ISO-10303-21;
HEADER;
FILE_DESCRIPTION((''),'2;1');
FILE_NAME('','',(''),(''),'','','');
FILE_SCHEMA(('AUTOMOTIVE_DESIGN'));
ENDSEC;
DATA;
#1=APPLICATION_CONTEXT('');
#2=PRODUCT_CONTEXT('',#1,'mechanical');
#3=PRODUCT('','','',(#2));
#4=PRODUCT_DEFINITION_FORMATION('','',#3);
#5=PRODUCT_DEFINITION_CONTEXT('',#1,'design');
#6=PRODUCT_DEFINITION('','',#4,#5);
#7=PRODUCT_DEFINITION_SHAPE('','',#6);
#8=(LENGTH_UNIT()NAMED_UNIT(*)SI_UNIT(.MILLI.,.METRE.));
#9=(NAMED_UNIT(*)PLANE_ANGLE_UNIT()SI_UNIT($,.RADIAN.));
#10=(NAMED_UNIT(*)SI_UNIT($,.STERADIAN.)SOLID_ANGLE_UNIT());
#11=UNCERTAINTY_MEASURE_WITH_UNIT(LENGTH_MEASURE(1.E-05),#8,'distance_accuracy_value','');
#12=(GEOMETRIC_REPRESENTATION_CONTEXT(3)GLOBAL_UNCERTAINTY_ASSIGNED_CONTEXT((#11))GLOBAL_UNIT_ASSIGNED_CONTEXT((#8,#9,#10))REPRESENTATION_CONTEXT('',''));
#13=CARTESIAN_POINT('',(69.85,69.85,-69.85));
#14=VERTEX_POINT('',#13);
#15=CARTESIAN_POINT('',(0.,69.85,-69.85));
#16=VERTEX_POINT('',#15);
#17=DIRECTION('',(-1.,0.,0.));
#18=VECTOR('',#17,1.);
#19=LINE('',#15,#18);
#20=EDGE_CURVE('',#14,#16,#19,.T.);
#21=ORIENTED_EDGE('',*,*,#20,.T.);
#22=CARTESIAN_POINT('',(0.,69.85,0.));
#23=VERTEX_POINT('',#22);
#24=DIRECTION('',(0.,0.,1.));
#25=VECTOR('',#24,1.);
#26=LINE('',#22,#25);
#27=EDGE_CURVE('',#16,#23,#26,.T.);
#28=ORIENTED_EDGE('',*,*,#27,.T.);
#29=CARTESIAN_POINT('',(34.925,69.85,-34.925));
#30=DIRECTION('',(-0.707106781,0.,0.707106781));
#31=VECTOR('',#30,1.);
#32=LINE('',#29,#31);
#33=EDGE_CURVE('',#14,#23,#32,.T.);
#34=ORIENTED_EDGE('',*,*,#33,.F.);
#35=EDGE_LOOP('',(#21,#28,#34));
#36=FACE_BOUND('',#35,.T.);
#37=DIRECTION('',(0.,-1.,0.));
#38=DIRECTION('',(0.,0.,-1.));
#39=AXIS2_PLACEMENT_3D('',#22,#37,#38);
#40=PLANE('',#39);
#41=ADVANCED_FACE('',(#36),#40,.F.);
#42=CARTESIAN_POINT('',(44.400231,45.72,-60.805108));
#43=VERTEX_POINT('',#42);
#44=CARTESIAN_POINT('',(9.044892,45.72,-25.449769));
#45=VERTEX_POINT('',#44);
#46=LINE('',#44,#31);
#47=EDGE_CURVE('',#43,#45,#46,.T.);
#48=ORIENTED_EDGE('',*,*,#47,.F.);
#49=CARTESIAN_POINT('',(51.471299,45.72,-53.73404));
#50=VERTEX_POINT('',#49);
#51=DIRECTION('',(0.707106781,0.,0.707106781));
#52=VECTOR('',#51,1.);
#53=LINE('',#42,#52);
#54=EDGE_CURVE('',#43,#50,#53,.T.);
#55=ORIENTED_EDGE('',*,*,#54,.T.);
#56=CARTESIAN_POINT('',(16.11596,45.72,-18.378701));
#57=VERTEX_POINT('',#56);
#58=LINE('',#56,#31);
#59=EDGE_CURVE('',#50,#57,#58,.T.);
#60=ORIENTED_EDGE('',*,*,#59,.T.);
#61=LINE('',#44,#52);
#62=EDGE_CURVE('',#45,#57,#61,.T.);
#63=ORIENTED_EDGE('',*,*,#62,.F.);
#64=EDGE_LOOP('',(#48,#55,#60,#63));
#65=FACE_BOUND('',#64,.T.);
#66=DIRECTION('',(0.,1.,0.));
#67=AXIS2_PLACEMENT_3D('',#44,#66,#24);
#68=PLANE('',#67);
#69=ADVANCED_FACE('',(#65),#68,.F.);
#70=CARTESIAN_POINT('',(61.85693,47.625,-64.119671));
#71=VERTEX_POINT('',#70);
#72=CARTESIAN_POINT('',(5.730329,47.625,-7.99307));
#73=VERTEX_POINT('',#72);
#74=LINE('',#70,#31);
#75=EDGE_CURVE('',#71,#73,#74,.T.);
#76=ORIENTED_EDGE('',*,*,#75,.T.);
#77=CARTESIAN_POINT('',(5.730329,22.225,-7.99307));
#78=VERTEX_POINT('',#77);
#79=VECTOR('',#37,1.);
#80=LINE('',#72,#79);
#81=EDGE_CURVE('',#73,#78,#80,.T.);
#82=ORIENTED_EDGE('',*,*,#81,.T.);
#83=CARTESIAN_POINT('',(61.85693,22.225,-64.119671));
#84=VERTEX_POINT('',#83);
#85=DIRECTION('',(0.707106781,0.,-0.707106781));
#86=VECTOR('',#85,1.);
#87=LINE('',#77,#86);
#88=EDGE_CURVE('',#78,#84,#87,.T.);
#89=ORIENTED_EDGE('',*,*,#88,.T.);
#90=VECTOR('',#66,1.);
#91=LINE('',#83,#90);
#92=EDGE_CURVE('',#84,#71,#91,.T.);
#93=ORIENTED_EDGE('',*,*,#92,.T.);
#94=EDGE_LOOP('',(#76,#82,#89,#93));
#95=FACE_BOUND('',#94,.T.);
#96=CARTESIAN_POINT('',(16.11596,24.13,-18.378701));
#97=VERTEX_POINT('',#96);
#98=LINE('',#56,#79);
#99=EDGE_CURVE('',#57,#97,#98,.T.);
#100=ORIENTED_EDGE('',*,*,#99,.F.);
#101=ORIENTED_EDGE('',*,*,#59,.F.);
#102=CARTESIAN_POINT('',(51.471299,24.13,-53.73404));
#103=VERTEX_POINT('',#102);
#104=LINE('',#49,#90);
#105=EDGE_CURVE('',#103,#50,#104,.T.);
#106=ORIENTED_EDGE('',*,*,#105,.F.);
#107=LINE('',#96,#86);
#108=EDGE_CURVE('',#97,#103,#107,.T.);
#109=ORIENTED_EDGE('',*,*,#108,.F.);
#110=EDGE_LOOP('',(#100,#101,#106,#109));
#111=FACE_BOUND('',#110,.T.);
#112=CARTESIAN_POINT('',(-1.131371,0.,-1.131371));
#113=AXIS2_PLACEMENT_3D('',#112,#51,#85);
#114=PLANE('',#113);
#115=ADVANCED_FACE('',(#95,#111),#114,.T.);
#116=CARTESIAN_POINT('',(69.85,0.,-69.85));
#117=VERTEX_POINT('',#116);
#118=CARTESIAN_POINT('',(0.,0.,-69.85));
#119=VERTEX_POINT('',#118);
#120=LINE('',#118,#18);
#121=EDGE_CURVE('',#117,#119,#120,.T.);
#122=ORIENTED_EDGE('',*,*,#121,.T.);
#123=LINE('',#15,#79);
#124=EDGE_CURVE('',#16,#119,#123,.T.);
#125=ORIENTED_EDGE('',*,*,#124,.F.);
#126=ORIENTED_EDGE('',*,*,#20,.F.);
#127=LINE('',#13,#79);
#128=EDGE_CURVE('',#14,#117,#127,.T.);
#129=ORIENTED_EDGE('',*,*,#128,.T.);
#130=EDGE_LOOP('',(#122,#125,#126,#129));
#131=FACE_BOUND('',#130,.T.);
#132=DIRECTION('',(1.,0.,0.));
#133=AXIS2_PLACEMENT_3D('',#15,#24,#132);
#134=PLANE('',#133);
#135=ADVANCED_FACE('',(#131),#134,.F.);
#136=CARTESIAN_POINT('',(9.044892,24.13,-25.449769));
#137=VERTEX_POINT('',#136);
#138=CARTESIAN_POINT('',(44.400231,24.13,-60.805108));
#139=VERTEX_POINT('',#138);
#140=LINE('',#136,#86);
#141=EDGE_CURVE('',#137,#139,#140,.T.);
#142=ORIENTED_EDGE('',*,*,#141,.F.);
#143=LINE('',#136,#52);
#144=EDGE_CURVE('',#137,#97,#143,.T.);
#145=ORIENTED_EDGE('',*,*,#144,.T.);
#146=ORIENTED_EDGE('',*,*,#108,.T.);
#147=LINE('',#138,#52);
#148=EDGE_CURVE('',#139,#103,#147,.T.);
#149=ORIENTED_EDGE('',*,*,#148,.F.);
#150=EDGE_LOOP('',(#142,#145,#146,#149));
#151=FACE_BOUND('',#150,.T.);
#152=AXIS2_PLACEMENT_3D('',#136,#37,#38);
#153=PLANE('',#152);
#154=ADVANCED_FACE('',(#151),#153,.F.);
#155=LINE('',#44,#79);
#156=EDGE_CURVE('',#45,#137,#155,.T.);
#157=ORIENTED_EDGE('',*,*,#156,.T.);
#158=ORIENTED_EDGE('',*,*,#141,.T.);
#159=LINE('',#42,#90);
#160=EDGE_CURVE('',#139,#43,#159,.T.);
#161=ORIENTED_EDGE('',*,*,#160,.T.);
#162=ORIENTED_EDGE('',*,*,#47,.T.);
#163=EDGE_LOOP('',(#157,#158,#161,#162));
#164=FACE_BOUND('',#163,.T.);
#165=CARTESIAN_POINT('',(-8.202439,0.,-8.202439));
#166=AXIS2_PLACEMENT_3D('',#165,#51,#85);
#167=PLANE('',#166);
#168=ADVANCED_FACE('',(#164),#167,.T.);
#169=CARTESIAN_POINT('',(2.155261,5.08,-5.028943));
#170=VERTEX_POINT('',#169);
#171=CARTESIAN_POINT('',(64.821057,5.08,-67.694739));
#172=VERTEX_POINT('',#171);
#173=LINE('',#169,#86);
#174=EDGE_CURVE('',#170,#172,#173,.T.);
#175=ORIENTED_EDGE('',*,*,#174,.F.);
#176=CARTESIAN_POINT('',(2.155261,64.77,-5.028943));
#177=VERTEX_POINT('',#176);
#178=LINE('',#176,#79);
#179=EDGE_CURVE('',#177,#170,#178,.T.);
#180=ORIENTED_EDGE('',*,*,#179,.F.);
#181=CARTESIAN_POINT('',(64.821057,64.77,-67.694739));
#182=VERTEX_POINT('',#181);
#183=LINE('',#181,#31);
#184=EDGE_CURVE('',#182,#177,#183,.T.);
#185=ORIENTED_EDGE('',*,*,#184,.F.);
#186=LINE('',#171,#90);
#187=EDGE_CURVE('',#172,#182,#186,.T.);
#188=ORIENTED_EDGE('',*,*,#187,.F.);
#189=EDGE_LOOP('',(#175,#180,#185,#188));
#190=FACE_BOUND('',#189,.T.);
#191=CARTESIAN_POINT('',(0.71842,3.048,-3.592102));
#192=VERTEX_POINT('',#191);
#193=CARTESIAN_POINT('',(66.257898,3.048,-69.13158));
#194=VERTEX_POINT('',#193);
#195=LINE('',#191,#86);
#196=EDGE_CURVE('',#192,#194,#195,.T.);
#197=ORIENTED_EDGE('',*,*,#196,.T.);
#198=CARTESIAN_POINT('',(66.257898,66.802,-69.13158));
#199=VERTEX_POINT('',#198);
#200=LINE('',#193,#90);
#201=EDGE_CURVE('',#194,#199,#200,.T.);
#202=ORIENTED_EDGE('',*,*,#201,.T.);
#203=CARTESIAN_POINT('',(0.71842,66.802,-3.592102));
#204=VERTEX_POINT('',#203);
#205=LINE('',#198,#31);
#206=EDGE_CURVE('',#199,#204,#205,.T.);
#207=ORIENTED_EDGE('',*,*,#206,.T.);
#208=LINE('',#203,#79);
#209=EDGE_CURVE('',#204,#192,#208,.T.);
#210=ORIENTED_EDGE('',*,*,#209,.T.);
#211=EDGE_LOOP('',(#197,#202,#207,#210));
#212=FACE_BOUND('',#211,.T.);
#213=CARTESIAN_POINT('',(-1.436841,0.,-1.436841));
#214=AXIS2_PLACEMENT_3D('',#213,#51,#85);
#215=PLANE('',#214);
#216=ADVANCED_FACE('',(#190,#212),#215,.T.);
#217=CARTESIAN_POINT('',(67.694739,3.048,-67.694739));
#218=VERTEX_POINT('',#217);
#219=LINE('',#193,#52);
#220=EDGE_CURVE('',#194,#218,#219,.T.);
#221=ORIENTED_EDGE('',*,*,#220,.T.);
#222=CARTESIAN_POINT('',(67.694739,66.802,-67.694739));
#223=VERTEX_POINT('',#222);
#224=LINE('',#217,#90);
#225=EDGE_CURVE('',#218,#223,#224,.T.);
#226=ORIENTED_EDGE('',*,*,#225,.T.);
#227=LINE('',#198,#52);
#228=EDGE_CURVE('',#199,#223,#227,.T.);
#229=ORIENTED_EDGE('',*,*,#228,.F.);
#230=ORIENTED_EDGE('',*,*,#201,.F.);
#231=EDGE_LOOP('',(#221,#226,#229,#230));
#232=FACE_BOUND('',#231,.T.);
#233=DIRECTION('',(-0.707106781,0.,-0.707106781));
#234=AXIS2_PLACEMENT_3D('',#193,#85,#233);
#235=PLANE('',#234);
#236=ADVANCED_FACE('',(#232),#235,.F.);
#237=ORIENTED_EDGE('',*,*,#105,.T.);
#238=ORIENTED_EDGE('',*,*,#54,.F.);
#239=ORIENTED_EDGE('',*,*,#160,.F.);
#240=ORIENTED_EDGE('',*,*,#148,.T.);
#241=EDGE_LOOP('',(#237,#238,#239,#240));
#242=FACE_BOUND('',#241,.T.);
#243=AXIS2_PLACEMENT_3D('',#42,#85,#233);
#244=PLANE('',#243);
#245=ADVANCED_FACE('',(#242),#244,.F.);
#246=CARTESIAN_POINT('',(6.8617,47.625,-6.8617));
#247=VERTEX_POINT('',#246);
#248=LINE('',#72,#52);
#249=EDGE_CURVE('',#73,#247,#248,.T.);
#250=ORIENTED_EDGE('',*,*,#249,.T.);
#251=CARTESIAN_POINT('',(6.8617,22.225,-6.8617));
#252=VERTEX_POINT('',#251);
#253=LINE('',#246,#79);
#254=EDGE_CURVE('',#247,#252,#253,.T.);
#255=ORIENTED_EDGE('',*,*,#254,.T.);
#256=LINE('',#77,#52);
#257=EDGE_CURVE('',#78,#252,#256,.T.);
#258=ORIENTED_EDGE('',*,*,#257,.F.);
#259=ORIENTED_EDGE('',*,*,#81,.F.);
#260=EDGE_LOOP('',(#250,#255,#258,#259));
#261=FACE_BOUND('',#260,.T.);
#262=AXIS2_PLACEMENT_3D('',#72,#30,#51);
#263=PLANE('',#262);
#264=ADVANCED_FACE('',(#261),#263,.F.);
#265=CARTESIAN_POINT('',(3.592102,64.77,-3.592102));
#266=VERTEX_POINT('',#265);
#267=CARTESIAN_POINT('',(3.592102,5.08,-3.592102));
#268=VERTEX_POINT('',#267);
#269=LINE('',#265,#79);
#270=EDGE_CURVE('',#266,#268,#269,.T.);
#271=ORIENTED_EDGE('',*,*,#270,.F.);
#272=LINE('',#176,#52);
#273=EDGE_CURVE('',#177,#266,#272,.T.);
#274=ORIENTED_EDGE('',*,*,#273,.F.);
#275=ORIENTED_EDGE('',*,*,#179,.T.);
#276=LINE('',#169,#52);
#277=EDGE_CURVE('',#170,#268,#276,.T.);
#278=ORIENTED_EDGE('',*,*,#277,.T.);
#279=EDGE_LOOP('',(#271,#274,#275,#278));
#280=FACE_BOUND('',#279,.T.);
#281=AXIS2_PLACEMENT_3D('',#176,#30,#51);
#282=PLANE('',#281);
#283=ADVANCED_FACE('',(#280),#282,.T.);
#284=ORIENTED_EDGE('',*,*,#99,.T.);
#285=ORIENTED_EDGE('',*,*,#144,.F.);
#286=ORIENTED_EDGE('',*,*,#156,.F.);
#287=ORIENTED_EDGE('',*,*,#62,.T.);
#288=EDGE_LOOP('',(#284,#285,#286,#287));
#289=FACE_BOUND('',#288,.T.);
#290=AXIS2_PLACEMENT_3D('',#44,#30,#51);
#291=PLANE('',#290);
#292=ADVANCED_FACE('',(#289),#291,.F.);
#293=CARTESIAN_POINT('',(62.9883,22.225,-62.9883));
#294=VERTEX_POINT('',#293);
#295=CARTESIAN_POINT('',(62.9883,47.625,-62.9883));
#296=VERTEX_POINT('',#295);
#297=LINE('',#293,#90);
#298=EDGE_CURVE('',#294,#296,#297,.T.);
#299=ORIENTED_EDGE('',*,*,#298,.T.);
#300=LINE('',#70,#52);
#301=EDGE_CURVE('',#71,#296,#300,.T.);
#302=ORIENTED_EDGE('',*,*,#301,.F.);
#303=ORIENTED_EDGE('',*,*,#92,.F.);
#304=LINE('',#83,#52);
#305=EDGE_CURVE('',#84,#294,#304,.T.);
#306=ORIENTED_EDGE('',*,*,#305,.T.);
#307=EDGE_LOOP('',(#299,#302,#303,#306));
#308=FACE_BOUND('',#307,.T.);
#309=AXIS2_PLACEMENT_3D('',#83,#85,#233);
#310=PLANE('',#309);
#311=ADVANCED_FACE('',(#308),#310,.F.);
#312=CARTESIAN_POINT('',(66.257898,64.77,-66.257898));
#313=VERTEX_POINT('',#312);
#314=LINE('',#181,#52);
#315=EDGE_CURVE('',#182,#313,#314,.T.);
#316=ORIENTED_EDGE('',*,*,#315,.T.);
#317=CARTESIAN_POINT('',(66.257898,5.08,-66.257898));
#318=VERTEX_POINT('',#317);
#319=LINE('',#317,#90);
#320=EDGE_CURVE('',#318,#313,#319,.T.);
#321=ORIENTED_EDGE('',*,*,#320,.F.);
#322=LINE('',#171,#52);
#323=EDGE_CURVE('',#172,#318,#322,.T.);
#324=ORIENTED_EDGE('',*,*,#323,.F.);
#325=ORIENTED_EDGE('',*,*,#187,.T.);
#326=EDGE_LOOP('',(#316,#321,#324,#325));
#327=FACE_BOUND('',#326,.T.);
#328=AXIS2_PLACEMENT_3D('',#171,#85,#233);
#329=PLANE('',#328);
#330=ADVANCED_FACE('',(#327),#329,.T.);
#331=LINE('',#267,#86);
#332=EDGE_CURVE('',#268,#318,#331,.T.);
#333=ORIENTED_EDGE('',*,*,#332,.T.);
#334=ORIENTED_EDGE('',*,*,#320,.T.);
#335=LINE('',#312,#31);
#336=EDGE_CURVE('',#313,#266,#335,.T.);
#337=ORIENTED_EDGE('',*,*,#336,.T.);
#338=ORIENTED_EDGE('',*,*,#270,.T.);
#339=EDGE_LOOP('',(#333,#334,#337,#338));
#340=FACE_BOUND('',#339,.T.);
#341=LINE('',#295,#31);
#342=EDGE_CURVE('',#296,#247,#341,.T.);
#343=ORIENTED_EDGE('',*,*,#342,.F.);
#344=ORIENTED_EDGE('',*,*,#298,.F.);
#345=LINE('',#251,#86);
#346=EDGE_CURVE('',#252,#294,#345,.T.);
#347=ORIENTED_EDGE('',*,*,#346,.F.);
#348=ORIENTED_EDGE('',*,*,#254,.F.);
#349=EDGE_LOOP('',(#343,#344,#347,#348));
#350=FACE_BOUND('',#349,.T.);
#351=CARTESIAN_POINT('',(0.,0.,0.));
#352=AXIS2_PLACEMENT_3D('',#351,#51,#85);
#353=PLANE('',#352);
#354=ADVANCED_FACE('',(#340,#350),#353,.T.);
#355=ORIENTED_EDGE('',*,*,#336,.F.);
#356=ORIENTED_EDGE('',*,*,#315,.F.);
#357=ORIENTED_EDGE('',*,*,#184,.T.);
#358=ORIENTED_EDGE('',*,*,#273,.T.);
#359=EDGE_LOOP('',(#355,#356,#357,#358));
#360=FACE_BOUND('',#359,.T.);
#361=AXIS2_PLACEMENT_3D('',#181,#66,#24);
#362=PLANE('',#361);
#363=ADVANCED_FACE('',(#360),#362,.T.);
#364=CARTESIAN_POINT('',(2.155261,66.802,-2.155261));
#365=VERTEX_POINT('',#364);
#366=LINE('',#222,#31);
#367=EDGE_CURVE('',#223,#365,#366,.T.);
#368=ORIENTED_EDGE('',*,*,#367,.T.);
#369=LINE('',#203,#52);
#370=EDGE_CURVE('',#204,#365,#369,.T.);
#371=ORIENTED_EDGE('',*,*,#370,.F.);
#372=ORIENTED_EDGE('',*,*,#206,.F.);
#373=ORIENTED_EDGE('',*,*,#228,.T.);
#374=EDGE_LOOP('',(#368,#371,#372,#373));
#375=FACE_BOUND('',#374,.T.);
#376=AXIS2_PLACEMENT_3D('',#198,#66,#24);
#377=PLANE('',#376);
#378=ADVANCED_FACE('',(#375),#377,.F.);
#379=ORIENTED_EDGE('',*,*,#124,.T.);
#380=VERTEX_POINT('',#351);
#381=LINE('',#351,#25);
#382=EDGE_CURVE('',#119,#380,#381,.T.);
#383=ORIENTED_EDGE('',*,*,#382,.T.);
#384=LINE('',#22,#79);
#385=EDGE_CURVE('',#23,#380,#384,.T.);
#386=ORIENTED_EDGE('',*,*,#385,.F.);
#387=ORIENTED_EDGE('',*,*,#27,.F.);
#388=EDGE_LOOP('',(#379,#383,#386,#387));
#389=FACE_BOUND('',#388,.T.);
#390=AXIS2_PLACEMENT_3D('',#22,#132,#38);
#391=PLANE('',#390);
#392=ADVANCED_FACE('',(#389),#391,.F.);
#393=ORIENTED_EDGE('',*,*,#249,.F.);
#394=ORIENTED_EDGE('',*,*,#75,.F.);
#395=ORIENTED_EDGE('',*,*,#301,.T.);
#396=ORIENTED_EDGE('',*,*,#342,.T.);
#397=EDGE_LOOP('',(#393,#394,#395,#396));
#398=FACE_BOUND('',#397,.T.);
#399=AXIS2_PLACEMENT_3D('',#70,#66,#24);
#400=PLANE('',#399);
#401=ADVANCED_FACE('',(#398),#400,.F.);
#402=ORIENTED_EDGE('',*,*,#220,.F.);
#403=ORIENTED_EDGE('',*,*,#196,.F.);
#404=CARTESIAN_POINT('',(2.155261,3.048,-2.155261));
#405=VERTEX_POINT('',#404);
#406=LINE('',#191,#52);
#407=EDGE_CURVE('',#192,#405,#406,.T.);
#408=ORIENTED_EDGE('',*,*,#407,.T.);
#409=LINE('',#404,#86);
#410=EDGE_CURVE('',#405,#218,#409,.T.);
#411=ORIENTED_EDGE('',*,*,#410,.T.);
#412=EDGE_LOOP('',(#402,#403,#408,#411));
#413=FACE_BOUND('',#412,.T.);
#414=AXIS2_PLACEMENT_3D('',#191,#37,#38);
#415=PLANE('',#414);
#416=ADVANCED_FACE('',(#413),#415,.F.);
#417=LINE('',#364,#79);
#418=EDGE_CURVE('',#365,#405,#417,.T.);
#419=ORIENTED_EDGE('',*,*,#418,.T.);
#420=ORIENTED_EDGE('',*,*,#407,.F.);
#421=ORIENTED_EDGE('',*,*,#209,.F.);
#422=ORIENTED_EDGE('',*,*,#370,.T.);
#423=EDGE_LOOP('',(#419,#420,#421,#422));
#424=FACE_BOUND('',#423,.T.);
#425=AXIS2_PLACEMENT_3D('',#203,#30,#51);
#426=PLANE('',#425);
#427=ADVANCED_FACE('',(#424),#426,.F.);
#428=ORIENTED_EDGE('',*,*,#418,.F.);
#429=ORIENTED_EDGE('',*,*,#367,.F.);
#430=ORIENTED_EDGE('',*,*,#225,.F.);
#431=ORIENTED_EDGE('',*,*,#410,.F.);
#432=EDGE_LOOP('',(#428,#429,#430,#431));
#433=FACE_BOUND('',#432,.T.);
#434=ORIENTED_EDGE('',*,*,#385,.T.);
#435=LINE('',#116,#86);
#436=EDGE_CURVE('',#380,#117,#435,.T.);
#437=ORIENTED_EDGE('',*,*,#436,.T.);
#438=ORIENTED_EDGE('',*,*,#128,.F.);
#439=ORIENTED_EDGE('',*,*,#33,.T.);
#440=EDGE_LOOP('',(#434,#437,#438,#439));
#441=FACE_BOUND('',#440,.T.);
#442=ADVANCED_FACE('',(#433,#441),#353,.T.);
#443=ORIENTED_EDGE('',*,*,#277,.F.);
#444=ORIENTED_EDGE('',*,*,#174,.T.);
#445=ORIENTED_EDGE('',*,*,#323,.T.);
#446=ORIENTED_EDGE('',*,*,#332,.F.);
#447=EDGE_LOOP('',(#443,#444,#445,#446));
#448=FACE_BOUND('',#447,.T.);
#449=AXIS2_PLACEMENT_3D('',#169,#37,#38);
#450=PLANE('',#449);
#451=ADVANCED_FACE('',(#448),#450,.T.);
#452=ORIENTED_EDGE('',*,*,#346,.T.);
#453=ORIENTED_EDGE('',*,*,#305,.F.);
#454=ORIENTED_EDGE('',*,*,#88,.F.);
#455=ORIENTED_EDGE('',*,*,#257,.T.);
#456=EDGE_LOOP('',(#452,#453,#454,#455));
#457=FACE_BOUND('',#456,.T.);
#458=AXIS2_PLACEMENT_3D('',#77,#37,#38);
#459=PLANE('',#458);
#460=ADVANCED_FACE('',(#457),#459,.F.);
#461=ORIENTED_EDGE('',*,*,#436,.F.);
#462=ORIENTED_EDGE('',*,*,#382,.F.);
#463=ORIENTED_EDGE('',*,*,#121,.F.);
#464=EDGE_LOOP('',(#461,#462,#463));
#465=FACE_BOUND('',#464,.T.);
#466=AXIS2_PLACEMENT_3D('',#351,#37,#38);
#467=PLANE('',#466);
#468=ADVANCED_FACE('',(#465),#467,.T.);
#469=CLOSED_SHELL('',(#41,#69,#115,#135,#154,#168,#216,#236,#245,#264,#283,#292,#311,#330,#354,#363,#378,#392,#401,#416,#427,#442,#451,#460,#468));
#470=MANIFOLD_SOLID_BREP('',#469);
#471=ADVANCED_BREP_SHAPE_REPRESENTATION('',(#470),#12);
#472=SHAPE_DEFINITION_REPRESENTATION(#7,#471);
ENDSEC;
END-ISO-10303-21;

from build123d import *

# Parameters (mm, degrees)
SKETCH1_W           = 69.85
SKETCH1_H           = 69.85
BOSS_EXTRUDE1_DEPTH = 69.85
CUT_EXTRUDE2_DEPTH  = 100
SKETCH3_W           = 92.686817332
SKETCH3_H           = 63.754
SKETCH3_W_2         = 88.622817332
SKETCH3_H_2         = 59.69
CUT_EXTRUDE4_DEPTH  = 2.032
SKETCH4_W           = 79.375
SKETCH4_H           = 25.4
CUT_EXTRUDE5_DEPTH  = 1.6
SKETCH5_W           = 50
SKETCH5_H           = 21.59
CUT_EXTRUDE6_DEPTH  = 10


with BuildPart() as part:
    # Sketch1 → Boss-Extrude1 (new body)
    with BuildSketch(Plane(origin=(0, 0, 0), x_dir=(1, 0, 0), z_dir=(0, 1, 0))):
        with Locations((34.925, 34.925)):
            Rectangle(SKETCH1_W, SKETCH1_H)
    extrude(amount=BOSS_EXTRUDE1_DEPTH)

    # Sketch2 → Cut-Extrude2 (cut)
    with BuildSketch(Plane(origin=(0, 0, 0), x_dir=(0.707106781, 0, -0.707106781), z_dir=(0.707106781, 0, 0.707106781))):
        Polygon((98.782817332, 69.85), (98.782817332, 0), (49.391408666, 0), (0, 0), (0, 69.85), (49.391408666, 69.85), align=None)
    extrude(amount=CUT_EXTRUDE2_DEPTH, mode=Mode.SUBTRACT)

    # Sketch3 → Cut-Extrude4 (cut)
    with BuildSketch(Plane(origin=(0, 0, 0), x_dir=(0.707106781, 0, -0.707106781), z_dir=(0.707106781, 0, 0.707106781))):
        with Locations((49.391408666, 34.925)):
            Rectangle(SKETCH3_W, SKETCH3_H)
        with Locations((49.391408666, 34.925)):
            Rectangle(SKETCH3_W_2, SKETCH3_H_2, mode=Mode.SUBTRACT)
    extrude(amount=-CUT_EXTRUDE4_DEPTH, mode=Mode.SUBTRACT)

    # Sketch4 → Cut-Extrude5 (cut)
    with BuildSketch(Plane(origin=(0, 0, 0), x_dir=(0.707106781, 0, -0.707106781), z_dir=(0.707106781, 0, 0.707106781))):
        with Locations((49.391408666, 34.925)):
            Rectangle(SKETCH4_W, SKETCH4_H)
    extrude(amount=-CUT_EXTRUDE5_DEPTH, mode=Mode.SUBTRACT)

    # Sketch5 → Cut-Extrude6 (cut)
    with BuildSketch(Plane(origin=(-1.13137085, 0, -1.13137085), x_dir=(0.707106781, 0, -0.707106781), z_dir=(0.707106781, 0, 0.707106781))):
        with Locations((49.391408666, 34.925)):
            Rectangle(SKETCH5_W, SKETCH5_H)
    extrude(amount=-CUT_EXTRUDE6_DEPTH, mode=Mode.SUBTRACT)


solid = part.part
